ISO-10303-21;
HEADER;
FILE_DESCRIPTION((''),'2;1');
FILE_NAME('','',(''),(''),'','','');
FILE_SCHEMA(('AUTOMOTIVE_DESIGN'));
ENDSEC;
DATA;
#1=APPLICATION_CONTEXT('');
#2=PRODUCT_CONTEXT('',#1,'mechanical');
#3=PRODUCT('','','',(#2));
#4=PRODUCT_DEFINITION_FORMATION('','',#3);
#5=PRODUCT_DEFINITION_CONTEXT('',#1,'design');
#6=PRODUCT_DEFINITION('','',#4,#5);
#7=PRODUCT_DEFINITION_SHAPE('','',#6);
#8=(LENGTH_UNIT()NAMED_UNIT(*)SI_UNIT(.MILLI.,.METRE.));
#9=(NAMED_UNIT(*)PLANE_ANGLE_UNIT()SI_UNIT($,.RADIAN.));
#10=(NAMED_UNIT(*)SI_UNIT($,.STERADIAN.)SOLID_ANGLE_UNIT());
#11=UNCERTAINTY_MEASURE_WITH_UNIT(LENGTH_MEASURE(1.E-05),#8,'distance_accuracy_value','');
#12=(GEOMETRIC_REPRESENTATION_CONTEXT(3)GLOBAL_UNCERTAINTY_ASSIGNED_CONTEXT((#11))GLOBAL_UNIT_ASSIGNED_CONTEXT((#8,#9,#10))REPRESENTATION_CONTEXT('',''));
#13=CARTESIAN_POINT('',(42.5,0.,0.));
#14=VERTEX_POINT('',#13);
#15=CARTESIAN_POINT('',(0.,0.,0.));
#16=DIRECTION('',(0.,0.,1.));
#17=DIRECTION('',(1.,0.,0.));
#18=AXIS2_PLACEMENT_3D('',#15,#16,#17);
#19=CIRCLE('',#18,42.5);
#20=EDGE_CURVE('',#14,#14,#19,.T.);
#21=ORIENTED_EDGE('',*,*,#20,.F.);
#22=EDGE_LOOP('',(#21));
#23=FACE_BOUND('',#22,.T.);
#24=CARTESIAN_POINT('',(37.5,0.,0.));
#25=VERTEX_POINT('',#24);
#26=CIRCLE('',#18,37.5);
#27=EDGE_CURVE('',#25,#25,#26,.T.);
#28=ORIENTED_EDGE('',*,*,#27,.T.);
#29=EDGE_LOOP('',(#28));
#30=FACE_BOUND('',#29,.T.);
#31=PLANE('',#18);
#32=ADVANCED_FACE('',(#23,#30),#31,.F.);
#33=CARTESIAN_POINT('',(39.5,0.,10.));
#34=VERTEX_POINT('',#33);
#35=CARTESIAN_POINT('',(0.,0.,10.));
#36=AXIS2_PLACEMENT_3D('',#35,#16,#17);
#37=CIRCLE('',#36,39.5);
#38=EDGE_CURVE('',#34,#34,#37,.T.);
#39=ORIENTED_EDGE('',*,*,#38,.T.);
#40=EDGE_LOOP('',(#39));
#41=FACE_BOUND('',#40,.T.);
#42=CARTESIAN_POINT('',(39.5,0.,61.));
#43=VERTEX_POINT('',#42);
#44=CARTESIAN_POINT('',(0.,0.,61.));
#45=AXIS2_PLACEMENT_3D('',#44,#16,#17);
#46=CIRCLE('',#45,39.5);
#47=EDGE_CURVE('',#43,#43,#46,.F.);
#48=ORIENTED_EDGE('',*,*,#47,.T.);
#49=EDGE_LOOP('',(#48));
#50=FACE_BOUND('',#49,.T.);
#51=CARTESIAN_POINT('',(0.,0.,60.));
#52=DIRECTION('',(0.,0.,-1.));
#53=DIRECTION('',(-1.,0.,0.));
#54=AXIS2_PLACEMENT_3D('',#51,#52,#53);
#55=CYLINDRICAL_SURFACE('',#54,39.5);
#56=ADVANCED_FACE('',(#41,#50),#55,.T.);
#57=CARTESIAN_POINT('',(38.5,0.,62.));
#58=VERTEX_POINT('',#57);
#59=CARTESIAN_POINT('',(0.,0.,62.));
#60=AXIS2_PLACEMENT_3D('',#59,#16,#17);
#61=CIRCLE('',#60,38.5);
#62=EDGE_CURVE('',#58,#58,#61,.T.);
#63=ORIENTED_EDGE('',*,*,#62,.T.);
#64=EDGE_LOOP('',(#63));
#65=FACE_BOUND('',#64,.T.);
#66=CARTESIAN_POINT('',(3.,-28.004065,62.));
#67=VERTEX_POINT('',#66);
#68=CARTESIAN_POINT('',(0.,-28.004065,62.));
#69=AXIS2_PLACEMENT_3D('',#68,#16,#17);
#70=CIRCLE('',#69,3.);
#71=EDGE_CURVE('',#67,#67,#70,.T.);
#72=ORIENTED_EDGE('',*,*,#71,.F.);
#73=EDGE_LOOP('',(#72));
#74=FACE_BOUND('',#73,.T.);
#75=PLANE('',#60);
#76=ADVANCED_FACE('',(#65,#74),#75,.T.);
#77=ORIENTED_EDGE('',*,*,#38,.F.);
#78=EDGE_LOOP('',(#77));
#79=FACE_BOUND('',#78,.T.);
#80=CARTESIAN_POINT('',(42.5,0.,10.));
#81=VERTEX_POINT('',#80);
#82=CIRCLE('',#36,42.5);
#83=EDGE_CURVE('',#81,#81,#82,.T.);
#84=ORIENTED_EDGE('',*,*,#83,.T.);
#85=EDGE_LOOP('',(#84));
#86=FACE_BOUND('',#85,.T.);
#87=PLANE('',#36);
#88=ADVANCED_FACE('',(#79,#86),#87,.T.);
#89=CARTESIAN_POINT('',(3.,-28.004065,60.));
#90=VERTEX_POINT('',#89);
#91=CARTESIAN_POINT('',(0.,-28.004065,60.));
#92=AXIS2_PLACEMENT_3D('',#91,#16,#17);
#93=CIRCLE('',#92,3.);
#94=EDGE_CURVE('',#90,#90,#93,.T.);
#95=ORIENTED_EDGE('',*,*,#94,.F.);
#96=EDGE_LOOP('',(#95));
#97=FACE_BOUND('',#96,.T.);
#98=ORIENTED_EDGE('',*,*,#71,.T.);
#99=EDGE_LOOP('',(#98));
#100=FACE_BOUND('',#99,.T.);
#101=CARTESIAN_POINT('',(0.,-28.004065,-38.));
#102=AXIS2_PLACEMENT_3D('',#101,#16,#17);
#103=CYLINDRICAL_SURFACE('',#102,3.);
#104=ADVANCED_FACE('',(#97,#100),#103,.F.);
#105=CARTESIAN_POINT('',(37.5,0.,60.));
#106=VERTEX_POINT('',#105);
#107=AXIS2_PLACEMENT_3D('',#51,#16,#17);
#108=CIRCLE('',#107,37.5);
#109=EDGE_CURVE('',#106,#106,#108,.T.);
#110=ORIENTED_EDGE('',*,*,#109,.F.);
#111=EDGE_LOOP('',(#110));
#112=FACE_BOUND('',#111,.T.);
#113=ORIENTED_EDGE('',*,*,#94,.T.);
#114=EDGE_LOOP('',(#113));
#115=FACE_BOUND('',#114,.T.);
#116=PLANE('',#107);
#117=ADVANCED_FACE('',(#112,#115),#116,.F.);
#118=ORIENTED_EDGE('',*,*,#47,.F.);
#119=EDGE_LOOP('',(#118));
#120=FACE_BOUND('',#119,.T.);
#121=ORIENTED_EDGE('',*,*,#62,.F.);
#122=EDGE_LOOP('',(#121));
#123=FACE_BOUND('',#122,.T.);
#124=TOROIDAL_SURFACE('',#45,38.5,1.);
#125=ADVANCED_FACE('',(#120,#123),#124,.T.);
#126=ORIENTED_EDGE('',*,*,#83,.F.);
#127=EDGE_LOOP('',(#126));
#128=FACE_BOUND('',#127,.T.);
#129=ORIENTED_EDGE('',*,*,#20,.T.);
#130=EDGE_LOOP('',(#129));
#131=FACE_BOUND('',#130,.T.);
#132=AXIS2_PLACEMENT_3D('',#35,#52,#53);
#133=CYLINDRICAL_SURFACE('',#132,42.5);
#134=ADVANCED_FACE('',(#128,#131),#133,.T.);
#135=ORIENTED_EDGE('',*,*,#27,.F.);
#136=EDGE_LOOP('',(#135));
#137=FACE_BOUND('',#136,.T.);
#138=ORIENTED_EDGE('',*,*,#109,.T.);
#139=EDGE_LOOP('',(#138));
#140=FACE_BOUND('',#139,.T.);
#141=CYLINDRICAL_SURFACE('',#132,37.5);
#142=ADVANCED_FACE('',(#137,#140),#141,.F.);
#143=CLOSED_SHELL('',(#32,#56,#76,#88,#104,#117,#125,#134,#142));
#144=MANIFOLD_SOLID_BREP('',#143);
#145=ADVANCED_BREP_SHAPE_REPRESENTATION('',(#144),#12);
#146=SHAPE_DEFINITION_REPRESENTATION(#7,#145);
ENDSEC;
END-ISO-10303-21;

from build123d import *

# Parameters (mm, degrees)
SKETCH1_R           = 42.5
SKETCH1_R_2         = 37.5
BOSS_EXTRUDE1_DEPTH = 10
SKETCH2_R           = 39.5
SKETCH2_R_2         = 37.5
BOSS_EXTRUDE2_DEPTH = 50
SKETCH3_R           = 39.5
BOSS_EXTRUDE3_DEPTH = 2
FILLET1_R           = 1
CUT_EXTRUDE1_DEPTH  = 100


with BuildPart() as part:
    # Sketch1 → Boss-Extrude1 (new body)
    with BuildSketch(Plane.XY):
        Circle(SKETCH1_R)
        Circle(SKETCH1_R_2, mode=Mode.SUBTRACT)
    extrude(amount=BOSS_EXTRUDE1_DEPTH)

    # Sketch2 → Boss-Extrude2 (add)
    with BuildSketch(Plane.XY.offset(10)):
        Circle(SKETCH2_R)
        Circle(SKETCH2_R_2, mode=Mode.SUBTRACT)
    extrude(amount=BOSS_EXTRUDE2_DEPTH)

    # Sketch3 → Boss-Extrude3 (add)
    with BuildSketch(Plane.XY.offset(60)):
        Circle(SKETCH3_R)
    extrude(amount=BOSS_EXTRUDE3_DEPTH)

    # Fillet1
    fillet1_edges = [part.edges().sort_by_distance(p)[0] for p in [
        (-39.5, 0, 62),
    ]]
    fillet(fillet1_edges, radius=FILLET1_R)

    # Sketch4 → Cut-Extrude1 (cut)
    with BuildSketch(Plane.XY.offset(62)):
        with BuildLine():
            ThreePointArc((0, -25.004064668), (-3, -28.004064668), (0, -31.004064668))
            Line((0, -31.004064668), (0, -25.004064668))
        make_face()
        with BuildLine():
            Line((0, -25.004064668), (0, -31.004064668))
            ThreePointArc((0, -31.004064668), (2.121320344, -30.125385012), (3, -28.004064668))
            ThreePointArc((3, -28.004064668), (2.121320344, -25.882744324), (0, -25.004064668))
        make_face()
    extrude(amount=-CUT_EXTRUDE1_DEPTH, mode=Mode.SUBTRACT)


solid = part.part
